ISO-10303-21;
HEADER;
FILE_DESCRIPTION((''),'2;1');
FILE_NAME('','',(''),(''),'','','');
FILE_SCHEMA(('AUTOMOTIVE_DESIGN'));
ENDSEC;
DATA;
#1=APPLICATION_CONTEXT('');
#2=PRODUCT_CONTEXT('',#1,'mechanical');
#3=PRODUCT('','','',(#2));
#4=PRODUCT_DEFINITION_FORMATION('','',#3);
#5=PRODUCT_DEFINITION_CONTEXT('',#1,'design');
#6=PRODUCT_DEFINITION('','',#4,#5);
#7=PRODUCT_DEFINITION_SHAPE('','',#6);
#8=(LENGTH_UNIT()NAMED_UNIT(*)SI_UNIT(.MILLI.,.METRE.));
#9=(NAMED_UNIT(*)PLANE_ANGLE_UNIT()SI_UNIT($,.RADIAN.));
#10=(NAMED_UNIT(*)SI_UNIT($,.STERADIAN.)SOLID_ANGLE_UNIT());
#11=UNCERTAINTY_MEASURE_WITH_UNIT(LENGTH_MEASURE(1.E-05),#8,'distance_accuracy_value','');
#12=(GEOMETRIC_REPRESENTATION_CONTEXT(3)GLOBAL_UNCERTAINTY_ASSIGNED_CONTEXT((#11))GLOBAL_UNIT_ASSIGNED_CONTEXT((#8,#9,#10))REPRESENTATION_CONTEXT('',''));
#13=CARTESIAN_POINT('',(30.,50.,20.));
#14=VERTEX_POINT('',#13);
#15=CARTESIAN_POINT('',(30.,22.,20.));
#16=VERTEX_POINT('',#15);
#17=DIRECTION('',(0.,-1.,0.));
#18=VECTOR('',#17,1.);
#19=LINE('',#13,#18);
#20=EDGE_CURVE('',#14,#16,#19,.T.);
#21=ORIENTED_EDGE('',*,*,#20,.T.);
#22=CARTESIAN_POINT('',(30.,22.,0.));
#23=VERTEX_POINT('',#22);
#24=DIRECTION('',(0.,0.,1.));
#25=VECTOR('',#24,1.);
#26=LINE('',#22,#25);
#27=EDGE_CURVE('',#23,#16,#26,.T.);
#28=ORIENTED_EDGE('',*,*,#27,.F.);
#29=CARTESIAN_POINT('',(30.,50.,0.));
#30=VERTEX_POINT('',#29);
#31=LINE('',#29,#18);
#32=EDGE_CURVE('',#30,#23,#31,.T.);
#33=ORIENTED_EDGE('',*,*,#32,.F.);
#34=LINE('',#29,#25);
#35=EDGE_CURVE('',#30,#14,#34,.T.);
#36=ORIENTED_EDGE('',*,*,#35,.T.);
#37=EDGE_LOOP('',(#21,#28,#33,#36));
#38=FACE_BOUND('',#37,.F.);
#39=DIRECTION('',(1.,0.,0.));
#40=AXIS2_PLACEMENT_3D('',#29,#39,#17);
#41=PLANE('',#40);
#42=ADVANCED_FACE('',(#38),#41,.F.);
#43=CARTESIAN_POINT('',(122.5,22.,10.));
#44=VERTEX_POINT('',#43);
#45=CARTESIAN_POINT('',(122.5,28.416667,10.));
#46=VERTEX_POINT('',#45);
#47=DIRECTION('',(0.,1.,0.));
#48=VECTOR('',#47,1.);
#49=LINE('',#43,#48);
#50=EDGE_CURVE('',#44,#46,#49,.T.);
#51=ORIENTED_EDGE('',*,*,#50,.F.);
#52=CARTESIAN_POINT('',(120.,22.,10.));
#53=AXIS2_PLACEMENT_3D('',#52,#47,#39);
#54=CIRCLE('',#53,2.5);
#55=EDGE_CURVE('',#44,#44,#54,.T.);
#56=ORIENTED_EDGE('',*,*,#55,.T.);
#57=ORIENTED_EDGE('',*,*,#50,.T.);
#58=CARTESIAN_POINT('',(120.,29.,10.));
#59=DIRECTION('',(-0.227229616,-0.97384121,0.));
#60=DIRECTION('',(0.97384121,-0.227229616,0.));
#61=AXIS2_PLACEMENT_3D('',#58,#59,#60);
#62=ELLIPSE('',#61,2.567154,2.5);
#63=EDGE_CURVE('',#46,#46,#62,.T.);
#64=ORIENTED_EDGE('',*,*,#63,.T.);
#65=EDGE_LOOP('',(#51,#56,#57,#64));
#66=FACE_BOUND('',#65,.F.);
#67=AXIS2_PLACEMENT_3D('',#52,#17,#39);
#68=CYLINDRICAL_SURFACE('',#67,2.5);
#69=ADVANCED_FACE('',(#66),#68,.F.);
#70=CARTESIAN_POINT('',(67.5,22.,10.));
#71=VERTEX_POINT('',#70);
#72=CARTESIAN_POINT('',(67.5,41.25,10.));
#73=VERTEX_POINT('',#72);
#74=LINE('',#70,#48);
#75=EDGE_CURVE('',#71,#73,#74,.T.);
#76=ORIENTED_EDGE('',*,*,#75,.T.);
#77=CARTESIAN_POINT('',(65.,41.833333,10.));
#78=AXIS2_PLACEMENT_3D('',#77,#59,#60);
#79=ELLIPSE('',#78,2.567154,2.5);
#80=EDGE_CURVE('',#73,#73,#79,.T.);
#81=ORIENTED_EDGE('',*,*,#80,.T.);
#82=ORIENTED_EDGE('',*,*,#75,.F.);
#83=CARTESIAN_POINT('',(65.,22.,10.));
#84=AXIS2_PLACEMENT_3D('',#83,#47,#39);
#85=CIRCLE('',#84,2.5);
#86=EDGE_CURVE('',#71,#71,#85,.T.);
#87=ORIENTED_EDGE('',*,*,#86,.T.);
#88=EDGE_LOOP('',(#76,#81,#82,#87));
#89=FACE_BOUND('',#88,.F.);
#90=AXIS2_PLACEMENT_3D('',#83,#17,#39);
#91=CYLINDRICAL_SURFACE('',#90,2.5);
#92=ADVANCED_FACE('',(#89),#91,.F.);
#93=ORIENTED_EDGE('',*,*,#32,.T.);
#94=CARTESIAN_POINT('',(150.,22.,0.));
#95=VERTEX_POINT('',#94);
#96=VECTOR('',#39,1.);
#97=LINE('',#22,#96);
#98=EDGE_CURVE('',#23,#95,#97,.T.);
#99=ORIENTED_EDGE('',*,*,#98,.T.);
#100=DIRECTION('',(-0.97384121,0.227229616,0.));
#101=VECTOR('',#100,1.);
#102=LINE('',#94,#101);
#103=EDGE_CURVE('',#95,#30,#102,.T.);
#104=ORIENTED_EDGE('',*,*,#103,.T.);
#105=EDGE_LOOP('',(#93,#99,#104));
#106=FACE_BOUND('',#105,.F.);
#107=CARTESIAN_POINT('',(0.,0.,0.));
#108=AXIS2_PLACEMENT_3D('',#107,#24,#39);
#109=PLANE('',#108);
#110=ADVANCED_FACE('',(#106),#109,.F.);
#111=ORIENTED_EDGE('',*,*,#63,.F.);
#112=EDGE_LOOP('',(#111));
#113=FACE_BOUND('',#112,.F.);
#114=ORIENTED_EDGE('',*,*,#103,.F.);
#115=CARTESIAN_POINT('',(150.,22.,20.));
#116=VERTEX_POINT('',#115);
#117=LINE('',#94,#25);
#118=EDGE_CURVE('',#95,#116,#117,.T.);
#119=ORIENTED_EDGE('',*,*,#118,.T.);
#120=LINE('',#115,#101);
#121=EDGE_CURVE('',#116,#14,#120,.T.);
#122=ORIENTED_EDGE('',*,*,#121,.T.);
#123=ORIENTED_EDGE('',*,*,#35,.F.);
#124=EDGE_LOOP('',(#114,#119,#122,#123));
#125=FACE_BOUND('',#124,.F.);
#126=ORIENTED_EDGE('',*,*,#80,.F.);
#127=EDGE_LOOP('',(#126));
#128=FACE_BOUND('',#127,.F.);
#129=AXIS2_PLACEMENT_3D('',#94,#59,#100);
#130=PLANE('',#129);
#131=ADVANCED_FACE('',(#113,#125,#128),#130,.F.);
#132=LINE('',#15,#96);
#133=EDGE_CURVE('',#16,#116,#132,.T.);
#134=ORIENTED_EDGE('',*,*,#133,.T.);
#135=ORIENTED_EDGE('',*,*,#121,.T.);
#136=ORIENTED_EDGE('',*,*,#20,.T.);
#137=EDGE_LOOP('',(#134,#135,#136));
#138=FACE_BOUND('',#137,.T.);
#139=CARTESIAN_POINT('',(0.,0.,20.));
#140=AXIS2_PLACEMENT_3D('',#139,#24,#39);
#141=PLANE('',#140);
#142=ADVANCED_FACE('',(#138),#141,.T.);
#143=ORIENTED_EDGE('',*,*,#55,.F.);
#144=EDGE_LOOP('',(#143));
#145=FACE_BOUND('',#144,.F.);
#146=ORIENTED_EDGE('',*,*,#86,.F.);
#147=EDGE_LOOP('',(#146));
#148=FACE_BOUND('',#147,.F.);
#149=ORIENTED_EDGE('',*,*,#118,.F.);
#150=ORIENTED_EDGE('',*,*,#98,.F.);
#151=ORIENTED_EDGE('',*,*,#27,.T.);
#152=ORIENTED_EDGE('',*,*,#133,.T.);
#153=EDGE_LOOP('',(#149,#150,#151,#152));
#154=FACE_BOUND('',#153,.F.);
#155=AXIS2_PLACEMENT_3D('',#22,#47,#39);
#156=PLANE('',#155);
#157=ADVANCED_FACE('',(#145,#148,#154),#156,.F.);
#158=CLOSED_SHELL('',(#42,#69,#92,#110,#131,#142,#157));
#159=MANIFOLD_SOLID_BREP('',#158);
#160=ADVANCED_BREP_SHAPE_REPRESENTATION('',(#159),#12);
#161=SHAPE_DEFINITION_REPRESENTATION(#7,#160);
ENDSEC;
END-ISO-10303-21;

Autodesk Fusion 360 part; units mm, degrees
sketch "Sketch1" plane through (0, 0, 0) normal (0, 0, 1) x (1, 0, 0)
  line L0 (30, 50) -> (30, 22)
  line L1 (30, 22) -> (150, 22)
  line L2 (150, 22) -> (30, 50)
  dimension "d1" = 28
  dimension "d2" = 120
extrude "Extrude1" add sketch "Sketch1" along normal blind 20
sketch "Sketch2" plane through (0, 22, 0) normal (0, -1, 0) x (1, 0, 0)
  line L0 (30, 0) -> (150, 0)
  line L1 (150, 0) -> (150, 20)
  line L2 (150, 20) -> (30, 20)
  line L3 (30, 20) -> (30, 0)
  line L4 (30, 10) -> (150, 10)
  line L5 (150, 10) -> (120, 10)
  circle A0 centre (120, 10) radius 2.5
  circle A1 centre (65, 10) radius 2.5
  dimension "d5" = 30
  dimension "d6" = 5
  dimension "d7" = 5
extrude "Extrude2" cut sketch "Sketch2" against normal blind 50 contours L4 A1 | L4 A1 | L4 L5 A0 | L4 L5 A0
sketch "Sketch3" plane through (0, 0, 20) normal (0, 0, 1) x (-1, 0, 0)
  line L0 (-150, -22) -> (-30, -50)
  line L1 (-30, -50) -> (-30, -22)
  line L2 (-30, -22) -> (-150, -22)
  line L3 (-30, -50) -> (-150, -50)
  line L4 (-150, -50) -> (-150, -22)
sketch "Sketch4" plane through (0, 22, 0) normal (0, -1, 0) x (1, 0, 0)
  circle A0 centre (65, 10) radius 2.5
  circle A1 centre (120, 10) radius 2.5
  line L0 (30, 0) -> (150, 0)
  line L1 (150, 0) -> (150, 20)
  line L2 (150, 20) -> (30, 20)
  line L3 (30, 20) -> (30, 0)
  line L4 (65, 10) -> (65, 20)
  line L5 (120, 10) -> (120, 20)
sketch "Sketch5" plane through (0, 0, 20) normal (0, 0, 1) x (-1, 0, 0)
  line L0 (-120, -22) -> (-120, -50)
  line L1 (-120, -50) -> (-65, -22)
  line L2 (-65, -22) -> (-65, -50)
sketch "Sketch6" plane through (90, 22, 10) normal (0, -1, 0) x (1, 0, 0)
  line L0 (30, 14.4) -> (40.6132, 4.6089)
sketch "Sketch7" plane through (0, 0, 0) normal (0, 0, -1) x (1, 0, 0)
  line L0 (30, -50) -> (150, -22)
  line L1 (150, -22) -> (30, -22)
  line L2 (30, -22) -> (30, -50)
